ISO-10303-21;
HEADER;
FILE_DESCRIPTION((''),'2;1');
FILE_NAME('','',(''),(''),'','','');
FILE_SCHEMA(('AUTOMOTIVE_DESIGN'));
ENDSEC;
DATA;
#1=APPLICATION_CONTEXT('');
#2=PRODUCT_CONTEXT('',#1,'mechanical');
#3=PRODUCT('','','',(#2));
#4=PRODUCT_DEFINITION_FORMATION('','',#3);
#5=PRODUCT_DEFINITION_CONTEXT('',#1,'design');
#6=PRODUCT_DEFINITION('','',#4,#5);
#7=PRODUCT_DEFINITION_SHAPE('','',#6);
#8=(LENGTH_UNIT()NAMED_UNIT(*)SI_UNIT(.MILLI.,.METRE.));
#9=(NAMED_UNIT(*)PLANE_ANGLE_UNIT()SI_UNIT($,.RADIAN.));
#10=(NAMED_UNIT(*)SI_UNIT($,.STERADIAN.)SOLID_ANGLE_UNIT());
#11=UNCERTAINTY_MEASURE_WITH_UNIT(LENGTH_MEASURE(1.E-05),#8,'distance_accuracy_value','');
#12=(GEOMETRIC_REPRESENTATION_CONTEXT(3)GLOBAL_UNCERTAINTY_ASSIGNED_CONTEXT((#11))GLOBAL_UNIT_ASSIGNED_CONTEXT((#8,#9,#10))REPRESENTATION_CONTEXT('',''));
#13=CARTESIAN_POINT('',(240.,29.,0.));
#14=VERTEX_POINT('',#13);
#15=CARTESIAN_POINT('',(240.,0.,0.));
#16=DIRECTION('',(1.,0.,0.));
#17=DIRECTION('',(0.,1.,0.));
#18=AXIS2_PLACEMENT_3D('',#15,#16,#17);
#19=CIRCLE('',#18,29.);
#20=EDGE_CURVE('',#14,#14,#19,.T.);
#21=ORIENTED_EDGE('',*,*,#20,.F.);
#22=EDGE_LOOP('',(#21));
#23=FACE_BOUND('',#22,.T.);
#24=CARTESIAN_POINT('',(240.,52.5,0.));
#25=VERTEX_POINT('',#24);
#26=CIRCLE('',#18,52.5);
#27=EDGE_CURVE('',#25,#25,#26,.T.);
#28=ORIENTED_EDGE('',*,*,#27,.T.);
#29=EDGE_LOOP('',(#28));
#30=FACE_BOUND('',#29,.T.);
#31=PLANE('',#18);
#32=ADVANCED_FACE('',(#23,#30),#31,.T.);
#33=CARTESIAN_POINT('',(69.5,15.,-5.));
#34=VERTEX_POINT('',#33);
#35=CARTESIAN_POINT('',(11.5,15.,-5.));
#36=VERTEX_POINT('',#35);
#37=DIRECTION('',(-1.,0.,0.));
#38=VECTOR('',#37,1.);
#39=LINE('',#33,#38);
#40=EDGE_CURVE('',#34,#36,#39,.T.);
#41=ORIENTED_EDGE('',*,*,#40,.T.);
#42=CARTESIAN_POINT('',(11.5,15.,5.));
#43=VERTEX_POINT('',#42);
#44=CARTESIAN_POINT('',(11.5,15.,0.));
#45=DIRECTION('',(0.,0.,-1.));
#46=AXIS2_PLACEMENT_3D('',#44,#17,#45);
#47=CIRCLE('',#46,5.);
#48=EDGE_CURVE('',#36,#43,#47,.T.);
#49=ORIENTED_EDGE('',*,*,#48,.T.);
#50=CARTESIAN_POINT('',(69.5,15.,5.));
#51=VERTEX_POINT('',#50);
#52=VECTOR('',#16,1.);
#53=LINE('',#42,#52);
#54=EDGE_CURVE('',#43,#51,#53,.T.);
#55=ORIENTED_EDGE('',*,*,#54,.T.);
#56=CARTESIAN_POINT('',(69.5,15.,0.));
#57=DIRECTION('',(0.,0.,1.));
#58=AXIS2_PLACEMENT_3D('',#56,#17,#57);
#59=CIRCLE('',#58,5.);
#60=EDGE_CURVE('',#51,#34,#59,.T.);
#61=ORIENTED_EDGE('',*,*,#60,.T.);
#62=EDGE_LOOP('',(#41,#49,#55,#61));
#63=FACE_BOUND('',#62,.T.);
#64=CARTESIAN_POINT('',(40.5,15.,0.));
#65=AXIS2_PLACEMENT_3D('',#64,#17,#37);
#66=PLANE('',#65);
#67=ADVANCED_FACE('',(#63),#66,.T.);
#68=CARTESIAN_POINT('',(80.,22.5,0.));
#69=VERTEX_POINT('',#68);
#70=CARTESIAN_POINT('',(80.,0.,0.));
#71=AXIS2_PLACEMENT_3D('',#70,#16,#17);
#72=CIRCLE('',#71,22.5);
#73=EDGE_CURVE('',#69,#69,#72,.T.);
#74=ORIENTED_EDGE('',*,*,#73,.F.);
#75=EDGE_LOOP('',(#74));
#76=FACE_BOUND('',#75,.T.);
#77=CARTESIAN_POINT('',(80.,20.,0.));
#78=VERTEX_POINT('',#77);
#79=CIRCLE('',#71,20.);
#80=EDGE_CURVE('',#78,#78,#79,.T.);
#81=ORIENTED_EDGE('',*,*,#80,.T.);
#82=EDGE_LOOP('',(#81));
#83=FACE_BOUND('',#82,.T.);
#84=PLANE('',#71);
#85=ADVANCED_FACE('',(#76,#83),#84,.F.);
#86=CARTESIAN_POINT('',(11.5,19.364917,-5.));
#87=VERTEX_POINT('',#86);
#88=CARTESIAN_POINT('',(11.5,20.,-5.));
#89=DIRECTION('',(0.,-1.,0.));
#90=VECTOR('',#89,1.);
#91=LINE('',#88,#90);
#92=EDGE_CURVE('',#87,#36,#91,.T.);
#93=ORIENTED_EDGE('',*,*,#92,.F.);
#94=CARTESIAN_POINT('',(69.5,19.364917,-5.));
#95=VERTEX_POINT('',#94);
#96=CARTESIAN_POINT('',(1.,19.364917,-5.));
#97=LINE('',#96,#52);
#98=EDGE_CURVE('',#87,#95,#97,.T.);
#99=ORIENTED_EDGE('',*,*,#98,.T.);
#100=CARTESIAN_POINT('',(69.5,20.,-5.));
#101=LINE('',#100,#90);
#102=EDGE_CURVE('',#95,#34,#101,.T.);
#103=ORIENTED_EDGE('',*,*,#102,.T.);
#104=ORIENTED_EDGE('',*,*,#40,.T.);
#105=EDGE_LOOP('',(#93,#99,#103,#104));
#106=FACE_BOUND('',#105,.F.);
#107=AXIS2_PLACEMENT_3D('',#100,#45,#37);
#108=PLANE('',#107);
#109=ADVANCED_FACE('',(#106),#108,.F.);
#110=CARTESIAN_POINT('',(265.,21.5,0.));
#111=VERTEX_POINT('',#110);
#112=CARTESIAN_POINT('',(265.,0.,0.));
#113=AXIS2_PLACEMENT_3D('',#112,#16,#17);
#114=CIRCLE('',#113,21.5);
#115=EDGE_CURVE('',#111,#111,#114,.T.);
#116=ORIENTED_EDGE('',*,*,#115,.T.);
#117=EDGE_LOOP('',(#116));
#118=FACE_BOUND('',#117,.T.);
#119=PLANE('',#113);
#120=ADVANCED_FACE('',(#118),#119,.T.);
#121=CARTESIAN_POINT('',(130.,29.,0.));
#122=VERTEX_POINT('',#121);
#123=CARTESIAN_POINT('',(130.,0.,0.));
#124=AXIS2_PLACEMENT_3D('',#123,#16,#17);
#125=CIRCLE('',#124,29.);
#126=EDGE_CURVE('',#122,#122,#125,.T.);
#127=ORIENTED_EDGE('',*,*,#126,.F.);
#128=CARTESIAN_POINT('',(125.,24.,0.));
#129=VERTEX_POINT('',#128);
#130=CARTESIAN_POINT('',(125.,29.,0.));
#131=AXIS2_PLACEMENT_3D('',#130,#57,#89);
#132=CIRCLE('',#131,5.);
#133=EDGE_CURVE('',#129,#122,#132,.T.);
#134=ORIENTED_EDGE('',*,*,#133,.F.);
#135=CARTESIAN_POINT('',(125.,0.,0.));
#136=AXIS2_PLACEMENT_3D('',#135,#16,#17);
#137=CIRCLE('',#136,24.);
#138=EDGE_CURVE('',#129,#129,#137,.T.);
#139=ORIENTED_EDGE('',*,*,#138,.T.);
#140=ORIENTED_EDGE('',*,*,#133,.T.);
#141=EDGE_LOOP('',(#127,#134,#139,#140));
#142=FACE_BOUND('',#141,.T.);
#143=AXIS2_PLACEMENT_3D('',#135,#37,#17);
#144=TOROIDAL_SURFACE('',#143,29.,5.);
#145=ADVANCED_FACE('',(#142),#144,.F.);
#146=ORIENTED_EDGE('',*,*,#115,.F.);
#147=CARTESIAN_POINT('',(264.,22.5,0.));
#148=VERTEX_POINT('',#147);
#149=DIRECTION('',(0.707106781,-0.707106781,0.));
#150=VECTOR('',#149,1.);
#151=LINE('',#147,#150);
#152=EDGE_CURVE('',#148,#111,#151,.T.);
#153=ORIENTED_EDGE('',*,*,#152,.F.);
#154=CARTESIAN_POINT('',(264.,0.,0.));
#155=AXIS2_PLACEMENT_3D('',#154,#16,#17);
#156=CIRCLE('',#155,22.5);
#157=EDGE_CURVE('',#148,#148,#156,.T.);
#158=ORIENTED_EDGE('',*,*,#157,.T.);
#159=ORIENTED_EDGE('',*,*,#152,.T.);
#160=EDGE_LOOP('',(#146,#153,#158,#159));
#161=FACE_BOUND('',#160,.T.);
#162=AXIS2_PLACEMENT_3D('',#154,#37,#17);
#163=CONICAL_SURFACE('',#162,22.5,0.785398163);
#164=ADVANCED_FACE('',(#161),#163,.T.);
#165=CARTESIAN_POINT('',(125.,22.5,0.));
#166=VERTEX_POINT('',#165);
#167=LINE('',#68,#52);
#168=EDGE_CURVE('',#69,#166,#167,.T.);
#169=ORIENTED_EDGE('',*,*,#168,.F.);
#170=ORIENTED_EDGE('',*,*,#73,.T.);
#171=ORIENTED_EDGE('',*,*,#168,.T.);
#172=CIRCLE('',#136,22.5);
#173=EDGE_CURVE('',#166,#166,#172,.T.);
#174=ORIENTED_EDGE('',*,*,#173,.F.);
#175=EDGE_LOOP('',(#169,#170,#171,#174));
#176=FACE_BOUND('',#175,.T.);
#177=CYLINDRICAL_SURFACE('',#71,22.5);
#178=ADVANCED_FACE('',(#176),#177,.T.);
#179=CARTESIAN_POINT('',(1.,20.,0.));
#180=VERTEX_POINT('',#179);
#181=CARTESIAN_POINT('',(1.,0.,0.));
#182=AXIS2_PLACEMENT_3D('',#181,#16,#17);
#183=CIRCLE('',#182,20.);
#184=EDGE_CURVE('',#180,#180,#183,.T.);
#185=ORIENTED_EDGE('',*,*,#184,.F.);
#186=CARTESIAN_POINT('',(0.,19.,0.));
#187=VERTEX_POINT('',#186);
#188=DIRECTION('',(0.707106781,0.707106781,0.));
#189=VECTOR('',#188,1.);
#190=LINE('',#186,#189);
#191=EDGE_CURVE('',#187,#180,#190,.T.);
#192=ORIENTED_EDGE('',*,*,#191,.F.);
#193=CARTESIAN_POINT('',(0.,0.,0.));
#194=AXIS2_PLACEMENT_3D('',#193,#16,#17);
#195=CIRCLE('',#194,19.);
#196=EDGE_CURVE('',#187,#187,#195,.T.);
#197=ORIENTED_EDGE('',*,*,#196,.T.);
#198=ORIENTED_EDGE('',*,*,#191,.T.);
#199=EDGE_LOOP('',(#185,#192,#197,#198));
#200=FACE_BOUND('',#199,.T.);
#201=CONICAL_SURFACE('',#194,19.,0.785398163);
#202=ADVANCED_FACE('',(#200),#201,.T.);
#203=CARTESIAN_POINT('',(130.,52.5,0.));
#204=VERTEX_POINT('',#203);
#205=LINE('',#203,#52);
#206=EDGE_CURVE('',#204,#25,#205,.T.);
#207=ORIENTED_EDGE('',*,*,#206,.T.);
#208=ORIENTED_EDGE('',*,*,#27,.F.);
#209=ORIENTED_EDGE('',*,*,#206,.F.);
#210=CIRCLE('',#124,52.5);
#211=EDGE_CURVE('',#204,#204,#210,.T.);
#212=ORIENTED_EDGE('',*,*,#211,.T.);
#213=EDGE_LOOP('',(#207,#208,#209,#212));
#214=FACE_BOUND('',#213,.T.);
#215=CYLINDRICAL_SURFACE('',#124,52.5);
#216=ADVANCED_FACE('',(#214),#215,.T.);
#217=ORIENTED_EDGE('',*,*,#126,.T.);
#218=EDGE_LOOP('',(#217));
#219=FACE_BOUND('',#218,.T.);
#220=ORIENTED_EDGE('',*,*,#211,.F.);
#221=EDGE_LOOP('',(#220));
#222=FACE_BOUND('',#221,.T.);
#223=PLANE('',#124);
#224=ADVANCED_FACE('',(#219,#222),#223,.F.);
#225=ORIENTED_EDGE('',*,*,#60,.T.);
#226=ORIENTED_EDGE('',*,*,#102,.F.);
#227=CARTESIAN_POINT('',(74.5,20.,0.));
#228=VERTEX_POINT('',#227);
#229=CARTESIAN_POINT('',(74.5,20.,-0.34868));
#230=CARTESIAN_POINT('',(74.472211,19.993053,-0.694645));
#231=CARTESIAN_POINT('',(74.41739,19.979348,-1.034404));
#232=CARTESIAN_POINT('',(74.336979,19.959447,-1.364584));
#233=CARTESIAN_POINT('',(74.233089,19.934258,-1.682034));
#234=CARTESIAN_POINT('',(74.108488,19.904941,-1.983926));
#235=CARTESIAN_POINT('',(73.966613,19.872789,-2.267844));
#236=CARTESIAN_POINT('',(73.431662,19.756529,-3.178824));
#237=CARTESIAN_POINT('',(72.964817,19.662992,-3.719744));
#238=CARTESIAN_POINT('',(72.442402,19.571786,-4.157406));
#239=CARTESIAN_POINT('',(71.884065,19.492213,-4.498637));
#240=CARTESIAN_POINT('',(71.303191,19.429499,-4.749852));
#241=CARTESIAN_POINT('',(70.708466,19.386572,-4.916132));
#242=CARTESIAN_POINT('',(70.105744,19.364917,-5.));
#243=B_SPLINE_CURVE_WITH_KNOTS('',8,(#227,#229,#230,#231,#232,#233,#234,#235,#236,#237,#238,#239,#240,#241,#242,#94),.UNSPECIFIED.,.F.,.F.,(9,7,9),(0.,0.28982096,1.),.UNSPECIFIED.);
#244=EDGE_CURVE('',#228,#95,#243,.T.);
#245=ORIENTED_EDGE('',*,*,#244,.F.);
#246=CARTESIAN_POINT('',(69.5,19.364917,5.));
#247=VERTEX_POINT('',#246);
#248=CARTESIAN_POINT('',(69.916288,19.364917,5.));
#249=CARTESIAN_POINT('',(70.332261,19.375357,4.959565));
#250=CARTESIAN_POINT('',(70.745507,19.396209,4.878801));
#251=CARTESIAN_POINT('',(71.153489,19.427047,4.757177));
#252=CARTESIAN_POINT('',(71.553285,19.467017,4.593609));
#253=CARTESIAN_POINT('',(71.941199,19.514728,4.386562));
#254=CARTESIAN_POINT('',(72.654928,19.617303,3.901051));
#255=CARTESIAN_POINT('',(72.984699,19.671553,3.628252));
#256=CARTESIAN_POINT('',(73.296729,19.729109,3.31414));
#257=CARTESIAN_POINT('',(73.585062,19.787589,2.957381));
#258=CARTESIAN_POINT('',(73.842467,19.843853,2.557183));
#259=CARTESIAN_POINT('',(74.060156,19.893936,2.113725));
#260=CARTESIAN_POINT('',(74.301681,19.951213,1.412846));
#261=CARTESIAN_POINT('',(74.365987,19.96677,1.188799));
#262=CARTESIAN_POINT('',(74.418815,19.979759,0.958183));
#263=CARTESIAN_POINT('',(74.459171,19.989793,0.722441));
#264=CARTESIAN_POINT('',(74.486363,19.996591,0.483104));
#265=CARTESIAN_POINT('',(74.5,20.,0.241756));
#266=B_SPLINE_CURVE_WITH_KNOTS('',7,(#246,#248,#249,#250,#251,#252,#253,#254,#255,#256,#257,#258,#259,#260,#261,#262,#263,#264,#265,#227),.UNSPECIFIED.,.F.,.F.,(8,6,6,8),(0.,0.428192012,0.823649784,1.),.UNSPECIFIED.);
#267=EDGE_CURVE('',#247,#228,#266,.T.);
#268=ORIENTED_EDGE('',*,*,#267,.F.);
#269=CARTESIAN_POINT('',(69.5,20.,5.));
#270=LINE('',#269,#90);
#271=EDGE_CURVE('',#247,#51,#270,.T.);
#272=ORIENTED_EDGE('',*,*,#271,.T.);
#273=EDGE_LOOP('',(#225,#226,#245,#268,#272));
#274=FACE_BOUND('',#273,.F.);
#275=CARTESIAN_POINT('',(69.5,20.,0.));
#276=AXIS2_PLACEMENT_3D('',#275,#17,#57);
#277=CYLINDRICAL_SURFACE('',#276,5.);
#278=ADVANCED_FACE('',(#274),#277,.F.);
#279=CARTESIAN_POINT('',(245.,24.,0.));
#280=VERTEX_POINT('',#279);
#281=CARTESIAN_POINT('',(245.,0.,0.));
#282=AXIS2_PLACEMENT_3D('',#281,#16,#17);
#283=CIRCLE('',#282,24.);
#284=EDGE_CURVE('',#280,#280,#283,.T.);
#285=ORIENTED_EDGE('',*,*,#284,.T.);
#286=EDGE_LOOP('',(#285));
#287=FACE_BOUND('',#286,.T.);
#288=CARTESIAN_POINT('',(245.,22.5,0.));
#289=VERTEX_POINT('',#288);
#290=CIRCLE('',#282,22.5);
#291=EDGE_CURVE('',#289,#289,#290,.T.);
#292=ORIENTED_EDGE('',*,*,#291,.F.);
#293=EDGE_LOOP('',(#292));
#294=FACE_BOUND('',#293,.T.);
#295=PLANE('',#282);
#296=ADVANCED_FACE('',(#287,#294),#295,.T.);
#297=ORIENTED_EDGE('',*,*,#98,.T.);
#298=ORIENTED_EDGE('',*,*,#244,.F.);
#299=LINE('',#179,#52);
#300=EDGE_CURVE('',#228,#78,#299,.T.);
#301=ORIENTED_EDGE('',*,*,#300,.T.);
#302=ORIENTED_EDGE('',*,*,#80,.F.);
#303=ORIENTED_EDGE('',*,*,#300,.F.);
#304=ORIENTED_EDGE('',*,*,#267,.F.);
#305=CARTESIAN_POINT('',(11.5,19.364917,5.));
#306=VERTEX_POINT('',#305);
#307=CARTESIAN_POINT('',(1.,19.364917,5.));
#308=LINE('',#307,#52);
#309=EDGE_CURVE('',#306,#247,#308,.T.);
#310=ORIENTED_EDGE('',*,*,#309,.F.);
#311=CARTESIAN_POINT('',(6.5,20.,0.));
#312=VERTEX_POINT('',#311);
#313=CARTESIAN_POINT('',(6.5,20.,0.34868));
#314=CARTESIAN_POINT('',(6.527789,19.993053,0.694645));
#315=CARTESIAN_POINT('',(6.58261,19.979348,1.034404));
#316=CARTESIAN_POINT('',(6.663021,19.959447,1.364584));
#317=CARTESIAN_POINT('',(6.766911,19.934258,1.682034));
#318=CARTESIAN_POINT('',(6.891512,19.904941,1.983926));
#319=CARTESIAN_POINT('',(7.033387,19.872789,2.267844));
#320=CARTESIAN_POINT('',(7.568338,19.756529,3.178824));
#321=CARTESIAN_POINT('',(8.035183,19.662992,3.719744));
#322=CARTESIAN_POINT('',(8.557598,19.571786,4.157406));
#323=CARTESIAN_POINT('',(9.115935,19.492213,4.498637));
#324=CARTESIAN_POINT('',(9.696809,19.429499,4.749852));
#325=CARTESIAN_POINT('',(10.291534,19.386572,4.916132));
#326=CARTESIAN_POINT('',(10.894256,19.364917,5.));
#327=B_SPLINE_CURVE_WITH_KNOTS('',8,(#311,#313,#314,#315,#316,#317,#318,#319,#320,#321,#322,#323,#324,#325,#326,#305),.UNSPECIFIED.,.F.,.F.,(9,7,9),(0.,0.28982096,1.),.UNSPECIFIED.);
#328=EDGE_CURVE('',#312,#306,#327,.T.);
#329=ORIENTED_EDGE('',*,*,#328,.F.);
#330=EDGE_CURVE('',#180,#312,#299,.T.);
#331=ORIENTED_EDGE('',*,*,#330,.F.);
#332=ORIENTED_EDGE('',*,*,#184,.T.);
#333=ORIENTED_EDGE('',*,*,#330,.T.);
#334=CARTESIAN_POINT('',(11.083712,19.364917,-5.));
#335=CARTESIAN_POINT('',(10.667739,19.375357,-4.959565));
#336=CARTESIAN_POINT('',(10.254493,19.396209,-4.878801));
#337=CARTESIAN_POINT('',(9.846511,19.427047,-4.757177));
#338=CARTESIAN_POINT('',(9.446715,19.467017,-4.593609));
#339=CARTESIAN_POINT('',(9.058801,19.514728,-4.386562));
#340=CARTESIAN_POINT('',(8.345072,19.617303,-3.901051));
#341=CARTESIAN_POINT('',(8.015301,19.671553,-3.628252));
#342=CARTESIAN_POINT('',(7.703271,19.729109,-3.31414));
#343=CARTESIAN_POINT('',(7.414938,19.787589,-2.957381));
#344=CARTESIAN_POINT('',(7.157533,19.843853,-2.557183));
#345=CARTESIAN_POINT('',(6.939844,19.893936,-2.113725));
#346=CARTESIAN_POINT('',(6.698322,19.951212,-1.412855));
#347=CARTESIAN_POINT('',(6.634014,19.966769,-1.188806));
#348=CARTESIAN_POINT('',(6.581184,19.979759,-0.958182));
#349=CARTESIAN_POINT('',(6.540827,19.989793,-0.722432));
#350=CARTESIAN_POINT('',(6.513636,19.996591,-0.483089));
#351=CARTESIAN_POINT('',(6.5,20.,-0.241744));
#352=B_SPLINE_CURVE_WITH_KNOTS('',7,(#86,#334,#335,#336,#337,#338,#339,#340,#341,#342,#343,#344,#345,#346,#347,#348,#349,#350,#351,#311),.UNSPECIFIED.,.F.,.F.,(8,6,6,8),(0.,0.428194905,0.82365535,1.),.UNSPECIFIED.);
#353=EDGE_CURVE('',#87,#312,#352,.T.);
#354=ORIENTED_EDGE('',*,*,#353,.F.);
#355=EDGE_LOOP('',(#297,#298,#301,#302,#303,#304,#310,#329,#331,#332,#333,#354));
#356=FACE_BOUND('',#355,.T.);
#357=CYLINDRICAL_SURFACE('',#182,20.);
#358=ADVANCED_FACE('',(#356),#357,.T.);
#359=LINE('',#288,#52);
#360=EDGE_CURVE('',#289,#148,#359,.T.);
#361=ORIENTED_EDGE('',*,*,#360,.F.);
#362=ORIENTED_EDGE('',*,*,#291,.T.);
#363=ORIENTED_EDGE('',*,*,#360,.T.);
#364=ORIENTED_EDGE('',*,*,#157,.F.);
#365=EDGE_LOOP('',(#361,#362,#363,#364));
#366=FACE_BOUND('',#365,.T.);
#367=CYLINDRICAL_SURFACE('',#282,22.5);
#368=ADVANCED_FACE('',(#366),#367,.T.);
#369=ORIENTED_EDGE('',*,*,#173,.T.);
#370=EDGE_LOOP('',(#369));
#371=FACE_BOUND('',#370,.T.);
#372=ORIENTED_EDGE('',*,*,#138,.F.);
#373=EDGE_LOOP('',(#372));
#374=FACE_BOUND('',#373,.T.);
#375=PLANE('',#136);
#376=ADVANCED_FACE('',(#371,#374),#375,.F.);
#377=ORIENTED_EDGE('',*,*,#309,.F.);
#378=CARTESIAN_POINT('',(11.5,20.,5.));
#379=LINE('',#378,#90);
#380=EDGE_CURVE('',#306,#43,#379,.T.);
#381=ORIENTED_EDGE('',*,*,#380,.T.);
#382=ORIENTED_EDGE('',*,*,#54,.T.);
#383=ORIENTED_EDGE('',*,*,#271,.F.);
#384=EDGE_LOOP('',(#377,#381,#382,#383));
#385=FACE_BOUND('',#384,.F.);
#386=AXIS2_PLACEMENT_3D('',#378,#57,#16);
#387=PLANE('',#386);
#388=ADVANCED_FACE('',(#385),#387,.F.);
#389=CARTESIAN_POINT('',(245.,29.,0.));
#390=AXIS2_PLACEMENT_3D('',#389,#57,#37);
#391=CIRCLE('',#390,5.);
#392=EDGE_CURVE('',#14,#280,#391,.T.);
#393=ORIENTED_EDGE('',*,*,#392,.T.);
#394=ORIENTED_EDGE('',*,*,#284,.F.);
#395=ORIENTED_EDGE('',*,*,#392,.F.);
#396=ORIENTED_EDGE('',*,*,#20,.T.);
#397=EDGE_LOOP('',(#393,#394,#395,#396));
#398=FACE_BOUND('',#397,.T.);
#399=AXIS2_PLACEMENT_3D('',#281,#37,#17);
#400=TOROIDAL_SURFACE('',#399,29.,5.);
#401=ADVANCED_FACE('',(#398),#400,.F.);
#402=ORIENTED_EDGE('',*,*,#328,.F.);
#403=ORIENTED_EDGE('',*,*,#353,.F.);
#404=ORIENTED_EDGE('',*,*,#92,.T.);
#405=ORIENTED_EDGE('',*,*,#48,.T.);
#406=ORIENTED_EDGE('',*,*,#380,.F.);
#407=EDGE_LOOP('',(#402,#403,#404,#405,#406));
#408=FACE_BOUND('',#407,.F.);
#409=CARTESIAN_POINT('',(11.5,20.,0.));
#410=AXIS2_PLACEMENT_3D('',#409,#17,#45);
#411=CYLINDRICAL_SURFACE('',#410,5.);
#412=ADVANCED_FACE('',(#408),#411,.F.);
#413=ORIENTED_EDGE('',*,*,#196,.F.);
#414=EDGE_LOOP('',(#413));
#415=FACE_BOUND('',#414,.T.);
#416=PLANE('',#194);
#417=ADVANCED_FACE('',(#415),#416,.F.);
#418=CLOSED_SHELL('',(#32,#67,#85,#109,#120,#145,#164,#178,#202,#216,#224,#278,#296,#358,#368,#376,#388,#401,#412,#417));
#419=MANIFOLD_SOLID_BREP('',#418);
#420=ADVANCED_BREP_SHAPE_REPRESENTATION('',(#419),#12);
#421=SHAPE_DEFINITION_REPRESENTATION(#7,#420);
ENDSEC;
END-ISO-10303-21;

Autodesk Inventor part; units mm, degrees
ref_plane "YZ Plane" through (0, 0, 0) normal (1, 0, 0) x (0, 1, 0)
ref_plane "XY Plane" through (0, 0, 0) normal (0, 0, 1) x (1, 0, 0)
sketch "Sketch1" plane through (0, 0, 0) normal (0, 0, 1) x (1, 0, 0)
  line L0 (0, 0) -> (0, 19)
  line L1 (1, 20) -> (80, 20)
  line L2 (80, 20) -> (80, 22.5)
  line L3 (80, 22.5) -> (125, 22.5)
  line L4 (125, 22.5) -> (125, 24)
  line L5 (125, 24) -> (125, 24)
  line L6 (130, 29) -> (130, 52.5)
  line L7 (130, 52.5) -> (240, 52.5)
  line L8 (240, 52.5) -> (240, 29)
  line L9 (245, 24) -> (245, 24)
  line L10 (245, 24) -> (245, 22.5)
  line L11 (245, 22.5) -> (264, 22.5)
  line L12 (265, 21.5) -> (265, 0)
  line L13 (265, 0) -> (0, 0)
  line L14 (0, 19) -> (1, 20)
  line L15 (264, 22.5) -> (265, 21.5)
  arc A0 (125, 24) -> (130, 29) centre (125, 29) ccw
  arc A1 (240, 29) -> (245, 24) centre (245, 29) ccw
  line L16 (-53, 0) -> (318, 0) projected
  point P0 (0, 20)
  point P1 (240, 24)
  point P2 (265, 22.5)
  dimension "d0" = 20
  dimension "d1" = 80
  dimension "d2" = 22.5
  dimension "d3" = 24
  dimension "d5" = 5
  dimension "d6" = 110
  dimension "d7" = 52.5
  dimension "d8" = 5
  dimension "d9" = 20
  dimension "d10" = 1
  dimension "d11" = 45
  dimension "d12" = 1
  dimension "d13" = 45
  dimension "d14" = 5
  dimension "d20" = 45
revolve "Revolution1" add sketch "Sketch1" angle 360 about axis through (-10, 0, 0) along (1, 0, 0)
ref_plane "Work Plane1" through (40.5, 20, 0) normal (0, 1, 0) x (-1, 0, 0)
sketch "Sketch2" plane through (40.5, 20, 0) normal (0, 1, 0) x (-1, 0, 0)
  line L0 (-29, 0) -> (29, 0) construction
  line L1 (-29, -5) -> (29, -5)
  line L2 (29, 5) -> (-29, 5)
  arc A0 (-29, 5) -> (-29, -5) centre (-29, 0) ccw
  arc A1 (29, -5) -> (29, 5) centre (29, 0) ccw
  point P0 (40.5, 0)
  point P1 (0, 0)
  dimension "d16" = 29
  dimension "d17" = 10
extrude "Extrusion1" cut sketch "Sketch2" against normal blind 5
equation "\"d8\" = d5"
equation "\"d12\" = d10"
equation "\"d13\" = d11"
properties part number "PogonskoVratilo"
